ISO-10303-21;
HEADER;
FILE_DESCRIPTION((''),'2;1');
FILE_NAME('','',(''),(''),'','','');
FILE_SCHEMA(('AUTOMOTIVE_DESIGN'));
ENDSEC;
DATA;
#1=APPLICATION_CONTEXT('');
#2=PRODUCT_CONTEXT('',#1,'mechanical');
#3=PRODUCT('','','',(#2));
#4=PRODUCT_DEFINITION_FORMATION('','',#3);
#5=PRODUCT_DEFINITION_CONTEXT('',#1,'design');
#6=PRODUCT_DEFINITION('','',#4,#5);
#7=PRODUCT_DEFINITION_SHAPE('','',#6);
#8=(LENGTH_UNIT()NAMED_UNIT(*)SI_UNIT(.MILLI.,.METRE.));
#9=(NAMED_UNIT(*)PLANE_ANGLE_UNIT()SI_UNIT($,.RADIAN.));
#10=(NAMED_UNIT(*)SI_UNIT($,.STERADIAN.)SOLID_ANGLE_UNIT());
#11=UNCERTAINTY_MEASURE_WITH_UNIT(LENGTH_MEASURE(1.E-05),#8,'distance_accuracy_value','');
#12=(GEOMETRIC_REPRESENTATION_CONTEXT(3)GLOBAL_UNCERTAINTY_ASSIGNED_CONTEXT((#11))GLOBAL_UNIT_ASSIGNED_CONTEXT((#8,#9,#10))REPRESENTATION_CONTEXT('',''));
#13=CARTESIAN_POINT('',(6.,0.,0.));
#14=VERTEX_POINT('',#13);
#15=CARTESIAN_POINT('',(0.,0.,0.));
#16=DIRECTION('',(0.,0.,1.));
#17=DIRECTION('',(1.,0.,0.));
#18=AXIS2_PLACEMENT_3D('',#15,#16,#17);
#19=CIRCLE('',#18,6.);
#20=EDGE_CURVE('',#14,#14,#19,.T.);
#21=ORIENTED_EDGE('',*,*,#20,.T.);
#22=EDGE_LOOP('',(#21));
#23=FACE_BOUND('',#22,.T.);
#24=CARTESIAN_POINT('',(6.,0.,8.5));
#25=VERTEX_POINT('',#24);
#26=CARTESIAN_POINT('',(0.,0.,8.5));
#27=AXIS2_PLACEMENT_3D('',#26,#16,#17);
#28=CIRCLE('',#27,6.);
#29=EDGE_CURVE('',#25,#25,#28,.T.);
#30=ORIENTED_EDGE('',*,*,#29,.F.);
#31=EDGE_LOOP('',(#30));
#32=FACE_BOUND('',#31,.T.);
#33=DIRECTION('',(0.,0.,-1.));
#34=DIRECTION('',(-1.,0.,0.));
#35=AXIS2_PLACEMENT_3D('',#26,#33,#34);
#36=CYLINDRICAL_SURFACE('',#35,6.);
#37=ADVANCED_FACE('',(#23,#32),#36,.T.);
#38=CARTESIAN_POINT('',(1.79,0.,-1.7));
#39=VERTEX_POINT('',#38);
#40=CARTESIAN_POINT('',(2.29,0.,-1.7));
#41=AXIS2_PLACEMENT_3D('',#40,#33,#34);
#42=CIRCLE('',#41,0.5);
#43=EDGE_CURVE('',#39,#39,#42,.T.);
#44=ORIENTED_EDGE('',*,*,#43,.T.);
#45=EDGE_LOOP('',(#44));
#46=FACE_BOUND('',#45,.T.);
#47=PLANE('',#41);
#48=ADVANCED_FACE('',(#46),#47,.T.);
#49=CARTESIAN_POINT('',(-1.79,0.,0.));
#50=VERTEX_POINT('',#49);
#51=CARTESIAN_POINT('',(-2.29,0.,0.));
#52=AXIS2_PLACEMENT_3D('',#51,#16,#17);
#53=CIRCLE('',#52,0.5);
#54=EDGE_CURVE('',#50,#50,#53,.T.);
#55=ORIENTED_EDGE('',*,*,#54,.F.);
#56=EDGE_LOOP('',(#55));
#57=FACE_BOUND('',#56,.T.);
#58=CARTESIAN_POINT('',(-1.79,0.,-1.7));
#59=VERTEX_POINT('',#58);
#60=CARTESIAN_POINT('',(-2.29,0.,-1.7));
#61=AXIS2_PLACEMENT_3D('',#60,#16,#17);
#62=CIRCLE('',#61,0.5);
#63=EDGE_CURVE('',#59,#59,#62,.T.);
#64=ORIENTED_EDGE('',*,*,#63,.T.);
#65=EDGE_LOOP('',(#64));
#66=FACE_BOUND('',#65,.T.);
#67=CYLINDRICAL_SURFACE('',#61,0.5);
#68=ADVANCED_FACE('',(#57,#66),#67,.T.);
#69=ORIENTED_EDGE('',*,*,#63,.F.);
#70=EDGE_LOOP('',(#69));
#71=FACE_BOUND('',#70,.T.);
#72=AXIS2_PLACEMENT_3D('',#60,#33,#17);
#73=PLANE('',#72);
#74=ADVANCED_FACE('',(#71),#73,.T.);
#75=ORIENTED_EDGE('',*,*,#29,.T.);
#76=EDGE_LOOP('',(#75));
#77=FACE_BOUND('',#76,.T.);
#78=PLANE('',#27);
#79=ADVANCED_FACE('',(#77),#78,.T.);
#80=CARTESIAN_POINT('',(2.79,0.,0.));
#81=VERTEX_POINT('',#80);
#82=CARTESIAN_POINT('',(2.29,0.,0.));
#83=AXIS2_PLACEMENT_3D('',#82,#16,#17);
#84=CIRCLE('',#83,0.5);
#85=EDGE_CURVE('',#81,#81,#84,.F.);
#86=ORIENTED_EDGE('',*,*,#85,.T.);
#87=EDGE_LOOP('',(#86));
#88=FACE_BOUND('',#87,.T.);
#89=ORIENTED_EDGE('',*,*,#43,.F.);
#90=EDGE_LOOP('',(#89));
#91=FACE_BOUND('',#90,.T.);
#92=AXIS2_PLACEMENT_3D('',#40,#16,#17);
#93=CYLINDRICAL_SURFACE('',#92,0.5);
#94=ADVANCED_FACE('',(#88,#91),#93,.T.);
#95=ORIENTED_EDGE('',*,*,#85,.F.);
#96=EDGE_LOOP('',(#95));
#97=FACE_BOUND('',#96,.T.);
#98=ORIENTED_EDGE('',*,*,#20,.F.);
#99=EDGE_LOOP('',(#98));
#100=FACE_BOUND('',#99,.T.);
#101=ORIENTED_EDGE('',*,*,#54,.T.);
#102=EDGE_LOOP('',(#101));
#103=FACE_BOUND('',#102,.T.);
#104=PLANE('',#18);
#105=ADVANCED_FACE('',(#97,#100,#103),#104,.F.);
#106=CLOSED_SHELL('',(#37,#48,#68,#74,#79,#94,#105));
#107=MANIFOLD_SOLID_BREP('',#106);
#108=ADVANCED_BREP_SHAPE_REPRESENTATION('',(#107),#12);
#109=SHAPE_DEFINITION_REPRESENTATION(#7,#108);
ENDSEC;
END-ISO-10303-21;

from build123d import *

# Parameters (mm, degrees)
SKIZZE1_R                       = 6
COMPONENT_OUTLINE_DEPTH         = 8.5
SKIZZE2_R                       = 0.5
AUFSATZ_LINEAR_AUSTRAGEN1_DEPTH = 1.7


with BuildPart() as part:
    # Skizze1 → Component_Outline (new body)
    with BuildSketch(Plane.XY):
        Circle(SKIZZE1_R)
    extrude(amount=COMPONENT_OUTLINE_DEPTH)

    # Skizze2 → Aufsatz-Linear austragen1 (add)
    with BuildSketch(Plane(origin=(0, 0, 0), x_dir=(-1, 0, 0), z_dir=(0, 0, -1))):
        with Locations(Location((-2.29, 0, 0), (0, 0, 180))):
            Circle(SKIZZE2_R)
    aufsatz_linear_austragen1 = extrude(amount=AUFSATZ_LINEAR_AUSTRAGEN1_DEPTH)

    # Spiegeln1: Aufsatz-Linear austragen1 across plane
    add(aufsatz_linear_austragen1.mirror(Plane(origin=(0, 0, 0), x_dir=(0, 0, 1), z_dir=(1, 0, 0))))


solid = part.part
